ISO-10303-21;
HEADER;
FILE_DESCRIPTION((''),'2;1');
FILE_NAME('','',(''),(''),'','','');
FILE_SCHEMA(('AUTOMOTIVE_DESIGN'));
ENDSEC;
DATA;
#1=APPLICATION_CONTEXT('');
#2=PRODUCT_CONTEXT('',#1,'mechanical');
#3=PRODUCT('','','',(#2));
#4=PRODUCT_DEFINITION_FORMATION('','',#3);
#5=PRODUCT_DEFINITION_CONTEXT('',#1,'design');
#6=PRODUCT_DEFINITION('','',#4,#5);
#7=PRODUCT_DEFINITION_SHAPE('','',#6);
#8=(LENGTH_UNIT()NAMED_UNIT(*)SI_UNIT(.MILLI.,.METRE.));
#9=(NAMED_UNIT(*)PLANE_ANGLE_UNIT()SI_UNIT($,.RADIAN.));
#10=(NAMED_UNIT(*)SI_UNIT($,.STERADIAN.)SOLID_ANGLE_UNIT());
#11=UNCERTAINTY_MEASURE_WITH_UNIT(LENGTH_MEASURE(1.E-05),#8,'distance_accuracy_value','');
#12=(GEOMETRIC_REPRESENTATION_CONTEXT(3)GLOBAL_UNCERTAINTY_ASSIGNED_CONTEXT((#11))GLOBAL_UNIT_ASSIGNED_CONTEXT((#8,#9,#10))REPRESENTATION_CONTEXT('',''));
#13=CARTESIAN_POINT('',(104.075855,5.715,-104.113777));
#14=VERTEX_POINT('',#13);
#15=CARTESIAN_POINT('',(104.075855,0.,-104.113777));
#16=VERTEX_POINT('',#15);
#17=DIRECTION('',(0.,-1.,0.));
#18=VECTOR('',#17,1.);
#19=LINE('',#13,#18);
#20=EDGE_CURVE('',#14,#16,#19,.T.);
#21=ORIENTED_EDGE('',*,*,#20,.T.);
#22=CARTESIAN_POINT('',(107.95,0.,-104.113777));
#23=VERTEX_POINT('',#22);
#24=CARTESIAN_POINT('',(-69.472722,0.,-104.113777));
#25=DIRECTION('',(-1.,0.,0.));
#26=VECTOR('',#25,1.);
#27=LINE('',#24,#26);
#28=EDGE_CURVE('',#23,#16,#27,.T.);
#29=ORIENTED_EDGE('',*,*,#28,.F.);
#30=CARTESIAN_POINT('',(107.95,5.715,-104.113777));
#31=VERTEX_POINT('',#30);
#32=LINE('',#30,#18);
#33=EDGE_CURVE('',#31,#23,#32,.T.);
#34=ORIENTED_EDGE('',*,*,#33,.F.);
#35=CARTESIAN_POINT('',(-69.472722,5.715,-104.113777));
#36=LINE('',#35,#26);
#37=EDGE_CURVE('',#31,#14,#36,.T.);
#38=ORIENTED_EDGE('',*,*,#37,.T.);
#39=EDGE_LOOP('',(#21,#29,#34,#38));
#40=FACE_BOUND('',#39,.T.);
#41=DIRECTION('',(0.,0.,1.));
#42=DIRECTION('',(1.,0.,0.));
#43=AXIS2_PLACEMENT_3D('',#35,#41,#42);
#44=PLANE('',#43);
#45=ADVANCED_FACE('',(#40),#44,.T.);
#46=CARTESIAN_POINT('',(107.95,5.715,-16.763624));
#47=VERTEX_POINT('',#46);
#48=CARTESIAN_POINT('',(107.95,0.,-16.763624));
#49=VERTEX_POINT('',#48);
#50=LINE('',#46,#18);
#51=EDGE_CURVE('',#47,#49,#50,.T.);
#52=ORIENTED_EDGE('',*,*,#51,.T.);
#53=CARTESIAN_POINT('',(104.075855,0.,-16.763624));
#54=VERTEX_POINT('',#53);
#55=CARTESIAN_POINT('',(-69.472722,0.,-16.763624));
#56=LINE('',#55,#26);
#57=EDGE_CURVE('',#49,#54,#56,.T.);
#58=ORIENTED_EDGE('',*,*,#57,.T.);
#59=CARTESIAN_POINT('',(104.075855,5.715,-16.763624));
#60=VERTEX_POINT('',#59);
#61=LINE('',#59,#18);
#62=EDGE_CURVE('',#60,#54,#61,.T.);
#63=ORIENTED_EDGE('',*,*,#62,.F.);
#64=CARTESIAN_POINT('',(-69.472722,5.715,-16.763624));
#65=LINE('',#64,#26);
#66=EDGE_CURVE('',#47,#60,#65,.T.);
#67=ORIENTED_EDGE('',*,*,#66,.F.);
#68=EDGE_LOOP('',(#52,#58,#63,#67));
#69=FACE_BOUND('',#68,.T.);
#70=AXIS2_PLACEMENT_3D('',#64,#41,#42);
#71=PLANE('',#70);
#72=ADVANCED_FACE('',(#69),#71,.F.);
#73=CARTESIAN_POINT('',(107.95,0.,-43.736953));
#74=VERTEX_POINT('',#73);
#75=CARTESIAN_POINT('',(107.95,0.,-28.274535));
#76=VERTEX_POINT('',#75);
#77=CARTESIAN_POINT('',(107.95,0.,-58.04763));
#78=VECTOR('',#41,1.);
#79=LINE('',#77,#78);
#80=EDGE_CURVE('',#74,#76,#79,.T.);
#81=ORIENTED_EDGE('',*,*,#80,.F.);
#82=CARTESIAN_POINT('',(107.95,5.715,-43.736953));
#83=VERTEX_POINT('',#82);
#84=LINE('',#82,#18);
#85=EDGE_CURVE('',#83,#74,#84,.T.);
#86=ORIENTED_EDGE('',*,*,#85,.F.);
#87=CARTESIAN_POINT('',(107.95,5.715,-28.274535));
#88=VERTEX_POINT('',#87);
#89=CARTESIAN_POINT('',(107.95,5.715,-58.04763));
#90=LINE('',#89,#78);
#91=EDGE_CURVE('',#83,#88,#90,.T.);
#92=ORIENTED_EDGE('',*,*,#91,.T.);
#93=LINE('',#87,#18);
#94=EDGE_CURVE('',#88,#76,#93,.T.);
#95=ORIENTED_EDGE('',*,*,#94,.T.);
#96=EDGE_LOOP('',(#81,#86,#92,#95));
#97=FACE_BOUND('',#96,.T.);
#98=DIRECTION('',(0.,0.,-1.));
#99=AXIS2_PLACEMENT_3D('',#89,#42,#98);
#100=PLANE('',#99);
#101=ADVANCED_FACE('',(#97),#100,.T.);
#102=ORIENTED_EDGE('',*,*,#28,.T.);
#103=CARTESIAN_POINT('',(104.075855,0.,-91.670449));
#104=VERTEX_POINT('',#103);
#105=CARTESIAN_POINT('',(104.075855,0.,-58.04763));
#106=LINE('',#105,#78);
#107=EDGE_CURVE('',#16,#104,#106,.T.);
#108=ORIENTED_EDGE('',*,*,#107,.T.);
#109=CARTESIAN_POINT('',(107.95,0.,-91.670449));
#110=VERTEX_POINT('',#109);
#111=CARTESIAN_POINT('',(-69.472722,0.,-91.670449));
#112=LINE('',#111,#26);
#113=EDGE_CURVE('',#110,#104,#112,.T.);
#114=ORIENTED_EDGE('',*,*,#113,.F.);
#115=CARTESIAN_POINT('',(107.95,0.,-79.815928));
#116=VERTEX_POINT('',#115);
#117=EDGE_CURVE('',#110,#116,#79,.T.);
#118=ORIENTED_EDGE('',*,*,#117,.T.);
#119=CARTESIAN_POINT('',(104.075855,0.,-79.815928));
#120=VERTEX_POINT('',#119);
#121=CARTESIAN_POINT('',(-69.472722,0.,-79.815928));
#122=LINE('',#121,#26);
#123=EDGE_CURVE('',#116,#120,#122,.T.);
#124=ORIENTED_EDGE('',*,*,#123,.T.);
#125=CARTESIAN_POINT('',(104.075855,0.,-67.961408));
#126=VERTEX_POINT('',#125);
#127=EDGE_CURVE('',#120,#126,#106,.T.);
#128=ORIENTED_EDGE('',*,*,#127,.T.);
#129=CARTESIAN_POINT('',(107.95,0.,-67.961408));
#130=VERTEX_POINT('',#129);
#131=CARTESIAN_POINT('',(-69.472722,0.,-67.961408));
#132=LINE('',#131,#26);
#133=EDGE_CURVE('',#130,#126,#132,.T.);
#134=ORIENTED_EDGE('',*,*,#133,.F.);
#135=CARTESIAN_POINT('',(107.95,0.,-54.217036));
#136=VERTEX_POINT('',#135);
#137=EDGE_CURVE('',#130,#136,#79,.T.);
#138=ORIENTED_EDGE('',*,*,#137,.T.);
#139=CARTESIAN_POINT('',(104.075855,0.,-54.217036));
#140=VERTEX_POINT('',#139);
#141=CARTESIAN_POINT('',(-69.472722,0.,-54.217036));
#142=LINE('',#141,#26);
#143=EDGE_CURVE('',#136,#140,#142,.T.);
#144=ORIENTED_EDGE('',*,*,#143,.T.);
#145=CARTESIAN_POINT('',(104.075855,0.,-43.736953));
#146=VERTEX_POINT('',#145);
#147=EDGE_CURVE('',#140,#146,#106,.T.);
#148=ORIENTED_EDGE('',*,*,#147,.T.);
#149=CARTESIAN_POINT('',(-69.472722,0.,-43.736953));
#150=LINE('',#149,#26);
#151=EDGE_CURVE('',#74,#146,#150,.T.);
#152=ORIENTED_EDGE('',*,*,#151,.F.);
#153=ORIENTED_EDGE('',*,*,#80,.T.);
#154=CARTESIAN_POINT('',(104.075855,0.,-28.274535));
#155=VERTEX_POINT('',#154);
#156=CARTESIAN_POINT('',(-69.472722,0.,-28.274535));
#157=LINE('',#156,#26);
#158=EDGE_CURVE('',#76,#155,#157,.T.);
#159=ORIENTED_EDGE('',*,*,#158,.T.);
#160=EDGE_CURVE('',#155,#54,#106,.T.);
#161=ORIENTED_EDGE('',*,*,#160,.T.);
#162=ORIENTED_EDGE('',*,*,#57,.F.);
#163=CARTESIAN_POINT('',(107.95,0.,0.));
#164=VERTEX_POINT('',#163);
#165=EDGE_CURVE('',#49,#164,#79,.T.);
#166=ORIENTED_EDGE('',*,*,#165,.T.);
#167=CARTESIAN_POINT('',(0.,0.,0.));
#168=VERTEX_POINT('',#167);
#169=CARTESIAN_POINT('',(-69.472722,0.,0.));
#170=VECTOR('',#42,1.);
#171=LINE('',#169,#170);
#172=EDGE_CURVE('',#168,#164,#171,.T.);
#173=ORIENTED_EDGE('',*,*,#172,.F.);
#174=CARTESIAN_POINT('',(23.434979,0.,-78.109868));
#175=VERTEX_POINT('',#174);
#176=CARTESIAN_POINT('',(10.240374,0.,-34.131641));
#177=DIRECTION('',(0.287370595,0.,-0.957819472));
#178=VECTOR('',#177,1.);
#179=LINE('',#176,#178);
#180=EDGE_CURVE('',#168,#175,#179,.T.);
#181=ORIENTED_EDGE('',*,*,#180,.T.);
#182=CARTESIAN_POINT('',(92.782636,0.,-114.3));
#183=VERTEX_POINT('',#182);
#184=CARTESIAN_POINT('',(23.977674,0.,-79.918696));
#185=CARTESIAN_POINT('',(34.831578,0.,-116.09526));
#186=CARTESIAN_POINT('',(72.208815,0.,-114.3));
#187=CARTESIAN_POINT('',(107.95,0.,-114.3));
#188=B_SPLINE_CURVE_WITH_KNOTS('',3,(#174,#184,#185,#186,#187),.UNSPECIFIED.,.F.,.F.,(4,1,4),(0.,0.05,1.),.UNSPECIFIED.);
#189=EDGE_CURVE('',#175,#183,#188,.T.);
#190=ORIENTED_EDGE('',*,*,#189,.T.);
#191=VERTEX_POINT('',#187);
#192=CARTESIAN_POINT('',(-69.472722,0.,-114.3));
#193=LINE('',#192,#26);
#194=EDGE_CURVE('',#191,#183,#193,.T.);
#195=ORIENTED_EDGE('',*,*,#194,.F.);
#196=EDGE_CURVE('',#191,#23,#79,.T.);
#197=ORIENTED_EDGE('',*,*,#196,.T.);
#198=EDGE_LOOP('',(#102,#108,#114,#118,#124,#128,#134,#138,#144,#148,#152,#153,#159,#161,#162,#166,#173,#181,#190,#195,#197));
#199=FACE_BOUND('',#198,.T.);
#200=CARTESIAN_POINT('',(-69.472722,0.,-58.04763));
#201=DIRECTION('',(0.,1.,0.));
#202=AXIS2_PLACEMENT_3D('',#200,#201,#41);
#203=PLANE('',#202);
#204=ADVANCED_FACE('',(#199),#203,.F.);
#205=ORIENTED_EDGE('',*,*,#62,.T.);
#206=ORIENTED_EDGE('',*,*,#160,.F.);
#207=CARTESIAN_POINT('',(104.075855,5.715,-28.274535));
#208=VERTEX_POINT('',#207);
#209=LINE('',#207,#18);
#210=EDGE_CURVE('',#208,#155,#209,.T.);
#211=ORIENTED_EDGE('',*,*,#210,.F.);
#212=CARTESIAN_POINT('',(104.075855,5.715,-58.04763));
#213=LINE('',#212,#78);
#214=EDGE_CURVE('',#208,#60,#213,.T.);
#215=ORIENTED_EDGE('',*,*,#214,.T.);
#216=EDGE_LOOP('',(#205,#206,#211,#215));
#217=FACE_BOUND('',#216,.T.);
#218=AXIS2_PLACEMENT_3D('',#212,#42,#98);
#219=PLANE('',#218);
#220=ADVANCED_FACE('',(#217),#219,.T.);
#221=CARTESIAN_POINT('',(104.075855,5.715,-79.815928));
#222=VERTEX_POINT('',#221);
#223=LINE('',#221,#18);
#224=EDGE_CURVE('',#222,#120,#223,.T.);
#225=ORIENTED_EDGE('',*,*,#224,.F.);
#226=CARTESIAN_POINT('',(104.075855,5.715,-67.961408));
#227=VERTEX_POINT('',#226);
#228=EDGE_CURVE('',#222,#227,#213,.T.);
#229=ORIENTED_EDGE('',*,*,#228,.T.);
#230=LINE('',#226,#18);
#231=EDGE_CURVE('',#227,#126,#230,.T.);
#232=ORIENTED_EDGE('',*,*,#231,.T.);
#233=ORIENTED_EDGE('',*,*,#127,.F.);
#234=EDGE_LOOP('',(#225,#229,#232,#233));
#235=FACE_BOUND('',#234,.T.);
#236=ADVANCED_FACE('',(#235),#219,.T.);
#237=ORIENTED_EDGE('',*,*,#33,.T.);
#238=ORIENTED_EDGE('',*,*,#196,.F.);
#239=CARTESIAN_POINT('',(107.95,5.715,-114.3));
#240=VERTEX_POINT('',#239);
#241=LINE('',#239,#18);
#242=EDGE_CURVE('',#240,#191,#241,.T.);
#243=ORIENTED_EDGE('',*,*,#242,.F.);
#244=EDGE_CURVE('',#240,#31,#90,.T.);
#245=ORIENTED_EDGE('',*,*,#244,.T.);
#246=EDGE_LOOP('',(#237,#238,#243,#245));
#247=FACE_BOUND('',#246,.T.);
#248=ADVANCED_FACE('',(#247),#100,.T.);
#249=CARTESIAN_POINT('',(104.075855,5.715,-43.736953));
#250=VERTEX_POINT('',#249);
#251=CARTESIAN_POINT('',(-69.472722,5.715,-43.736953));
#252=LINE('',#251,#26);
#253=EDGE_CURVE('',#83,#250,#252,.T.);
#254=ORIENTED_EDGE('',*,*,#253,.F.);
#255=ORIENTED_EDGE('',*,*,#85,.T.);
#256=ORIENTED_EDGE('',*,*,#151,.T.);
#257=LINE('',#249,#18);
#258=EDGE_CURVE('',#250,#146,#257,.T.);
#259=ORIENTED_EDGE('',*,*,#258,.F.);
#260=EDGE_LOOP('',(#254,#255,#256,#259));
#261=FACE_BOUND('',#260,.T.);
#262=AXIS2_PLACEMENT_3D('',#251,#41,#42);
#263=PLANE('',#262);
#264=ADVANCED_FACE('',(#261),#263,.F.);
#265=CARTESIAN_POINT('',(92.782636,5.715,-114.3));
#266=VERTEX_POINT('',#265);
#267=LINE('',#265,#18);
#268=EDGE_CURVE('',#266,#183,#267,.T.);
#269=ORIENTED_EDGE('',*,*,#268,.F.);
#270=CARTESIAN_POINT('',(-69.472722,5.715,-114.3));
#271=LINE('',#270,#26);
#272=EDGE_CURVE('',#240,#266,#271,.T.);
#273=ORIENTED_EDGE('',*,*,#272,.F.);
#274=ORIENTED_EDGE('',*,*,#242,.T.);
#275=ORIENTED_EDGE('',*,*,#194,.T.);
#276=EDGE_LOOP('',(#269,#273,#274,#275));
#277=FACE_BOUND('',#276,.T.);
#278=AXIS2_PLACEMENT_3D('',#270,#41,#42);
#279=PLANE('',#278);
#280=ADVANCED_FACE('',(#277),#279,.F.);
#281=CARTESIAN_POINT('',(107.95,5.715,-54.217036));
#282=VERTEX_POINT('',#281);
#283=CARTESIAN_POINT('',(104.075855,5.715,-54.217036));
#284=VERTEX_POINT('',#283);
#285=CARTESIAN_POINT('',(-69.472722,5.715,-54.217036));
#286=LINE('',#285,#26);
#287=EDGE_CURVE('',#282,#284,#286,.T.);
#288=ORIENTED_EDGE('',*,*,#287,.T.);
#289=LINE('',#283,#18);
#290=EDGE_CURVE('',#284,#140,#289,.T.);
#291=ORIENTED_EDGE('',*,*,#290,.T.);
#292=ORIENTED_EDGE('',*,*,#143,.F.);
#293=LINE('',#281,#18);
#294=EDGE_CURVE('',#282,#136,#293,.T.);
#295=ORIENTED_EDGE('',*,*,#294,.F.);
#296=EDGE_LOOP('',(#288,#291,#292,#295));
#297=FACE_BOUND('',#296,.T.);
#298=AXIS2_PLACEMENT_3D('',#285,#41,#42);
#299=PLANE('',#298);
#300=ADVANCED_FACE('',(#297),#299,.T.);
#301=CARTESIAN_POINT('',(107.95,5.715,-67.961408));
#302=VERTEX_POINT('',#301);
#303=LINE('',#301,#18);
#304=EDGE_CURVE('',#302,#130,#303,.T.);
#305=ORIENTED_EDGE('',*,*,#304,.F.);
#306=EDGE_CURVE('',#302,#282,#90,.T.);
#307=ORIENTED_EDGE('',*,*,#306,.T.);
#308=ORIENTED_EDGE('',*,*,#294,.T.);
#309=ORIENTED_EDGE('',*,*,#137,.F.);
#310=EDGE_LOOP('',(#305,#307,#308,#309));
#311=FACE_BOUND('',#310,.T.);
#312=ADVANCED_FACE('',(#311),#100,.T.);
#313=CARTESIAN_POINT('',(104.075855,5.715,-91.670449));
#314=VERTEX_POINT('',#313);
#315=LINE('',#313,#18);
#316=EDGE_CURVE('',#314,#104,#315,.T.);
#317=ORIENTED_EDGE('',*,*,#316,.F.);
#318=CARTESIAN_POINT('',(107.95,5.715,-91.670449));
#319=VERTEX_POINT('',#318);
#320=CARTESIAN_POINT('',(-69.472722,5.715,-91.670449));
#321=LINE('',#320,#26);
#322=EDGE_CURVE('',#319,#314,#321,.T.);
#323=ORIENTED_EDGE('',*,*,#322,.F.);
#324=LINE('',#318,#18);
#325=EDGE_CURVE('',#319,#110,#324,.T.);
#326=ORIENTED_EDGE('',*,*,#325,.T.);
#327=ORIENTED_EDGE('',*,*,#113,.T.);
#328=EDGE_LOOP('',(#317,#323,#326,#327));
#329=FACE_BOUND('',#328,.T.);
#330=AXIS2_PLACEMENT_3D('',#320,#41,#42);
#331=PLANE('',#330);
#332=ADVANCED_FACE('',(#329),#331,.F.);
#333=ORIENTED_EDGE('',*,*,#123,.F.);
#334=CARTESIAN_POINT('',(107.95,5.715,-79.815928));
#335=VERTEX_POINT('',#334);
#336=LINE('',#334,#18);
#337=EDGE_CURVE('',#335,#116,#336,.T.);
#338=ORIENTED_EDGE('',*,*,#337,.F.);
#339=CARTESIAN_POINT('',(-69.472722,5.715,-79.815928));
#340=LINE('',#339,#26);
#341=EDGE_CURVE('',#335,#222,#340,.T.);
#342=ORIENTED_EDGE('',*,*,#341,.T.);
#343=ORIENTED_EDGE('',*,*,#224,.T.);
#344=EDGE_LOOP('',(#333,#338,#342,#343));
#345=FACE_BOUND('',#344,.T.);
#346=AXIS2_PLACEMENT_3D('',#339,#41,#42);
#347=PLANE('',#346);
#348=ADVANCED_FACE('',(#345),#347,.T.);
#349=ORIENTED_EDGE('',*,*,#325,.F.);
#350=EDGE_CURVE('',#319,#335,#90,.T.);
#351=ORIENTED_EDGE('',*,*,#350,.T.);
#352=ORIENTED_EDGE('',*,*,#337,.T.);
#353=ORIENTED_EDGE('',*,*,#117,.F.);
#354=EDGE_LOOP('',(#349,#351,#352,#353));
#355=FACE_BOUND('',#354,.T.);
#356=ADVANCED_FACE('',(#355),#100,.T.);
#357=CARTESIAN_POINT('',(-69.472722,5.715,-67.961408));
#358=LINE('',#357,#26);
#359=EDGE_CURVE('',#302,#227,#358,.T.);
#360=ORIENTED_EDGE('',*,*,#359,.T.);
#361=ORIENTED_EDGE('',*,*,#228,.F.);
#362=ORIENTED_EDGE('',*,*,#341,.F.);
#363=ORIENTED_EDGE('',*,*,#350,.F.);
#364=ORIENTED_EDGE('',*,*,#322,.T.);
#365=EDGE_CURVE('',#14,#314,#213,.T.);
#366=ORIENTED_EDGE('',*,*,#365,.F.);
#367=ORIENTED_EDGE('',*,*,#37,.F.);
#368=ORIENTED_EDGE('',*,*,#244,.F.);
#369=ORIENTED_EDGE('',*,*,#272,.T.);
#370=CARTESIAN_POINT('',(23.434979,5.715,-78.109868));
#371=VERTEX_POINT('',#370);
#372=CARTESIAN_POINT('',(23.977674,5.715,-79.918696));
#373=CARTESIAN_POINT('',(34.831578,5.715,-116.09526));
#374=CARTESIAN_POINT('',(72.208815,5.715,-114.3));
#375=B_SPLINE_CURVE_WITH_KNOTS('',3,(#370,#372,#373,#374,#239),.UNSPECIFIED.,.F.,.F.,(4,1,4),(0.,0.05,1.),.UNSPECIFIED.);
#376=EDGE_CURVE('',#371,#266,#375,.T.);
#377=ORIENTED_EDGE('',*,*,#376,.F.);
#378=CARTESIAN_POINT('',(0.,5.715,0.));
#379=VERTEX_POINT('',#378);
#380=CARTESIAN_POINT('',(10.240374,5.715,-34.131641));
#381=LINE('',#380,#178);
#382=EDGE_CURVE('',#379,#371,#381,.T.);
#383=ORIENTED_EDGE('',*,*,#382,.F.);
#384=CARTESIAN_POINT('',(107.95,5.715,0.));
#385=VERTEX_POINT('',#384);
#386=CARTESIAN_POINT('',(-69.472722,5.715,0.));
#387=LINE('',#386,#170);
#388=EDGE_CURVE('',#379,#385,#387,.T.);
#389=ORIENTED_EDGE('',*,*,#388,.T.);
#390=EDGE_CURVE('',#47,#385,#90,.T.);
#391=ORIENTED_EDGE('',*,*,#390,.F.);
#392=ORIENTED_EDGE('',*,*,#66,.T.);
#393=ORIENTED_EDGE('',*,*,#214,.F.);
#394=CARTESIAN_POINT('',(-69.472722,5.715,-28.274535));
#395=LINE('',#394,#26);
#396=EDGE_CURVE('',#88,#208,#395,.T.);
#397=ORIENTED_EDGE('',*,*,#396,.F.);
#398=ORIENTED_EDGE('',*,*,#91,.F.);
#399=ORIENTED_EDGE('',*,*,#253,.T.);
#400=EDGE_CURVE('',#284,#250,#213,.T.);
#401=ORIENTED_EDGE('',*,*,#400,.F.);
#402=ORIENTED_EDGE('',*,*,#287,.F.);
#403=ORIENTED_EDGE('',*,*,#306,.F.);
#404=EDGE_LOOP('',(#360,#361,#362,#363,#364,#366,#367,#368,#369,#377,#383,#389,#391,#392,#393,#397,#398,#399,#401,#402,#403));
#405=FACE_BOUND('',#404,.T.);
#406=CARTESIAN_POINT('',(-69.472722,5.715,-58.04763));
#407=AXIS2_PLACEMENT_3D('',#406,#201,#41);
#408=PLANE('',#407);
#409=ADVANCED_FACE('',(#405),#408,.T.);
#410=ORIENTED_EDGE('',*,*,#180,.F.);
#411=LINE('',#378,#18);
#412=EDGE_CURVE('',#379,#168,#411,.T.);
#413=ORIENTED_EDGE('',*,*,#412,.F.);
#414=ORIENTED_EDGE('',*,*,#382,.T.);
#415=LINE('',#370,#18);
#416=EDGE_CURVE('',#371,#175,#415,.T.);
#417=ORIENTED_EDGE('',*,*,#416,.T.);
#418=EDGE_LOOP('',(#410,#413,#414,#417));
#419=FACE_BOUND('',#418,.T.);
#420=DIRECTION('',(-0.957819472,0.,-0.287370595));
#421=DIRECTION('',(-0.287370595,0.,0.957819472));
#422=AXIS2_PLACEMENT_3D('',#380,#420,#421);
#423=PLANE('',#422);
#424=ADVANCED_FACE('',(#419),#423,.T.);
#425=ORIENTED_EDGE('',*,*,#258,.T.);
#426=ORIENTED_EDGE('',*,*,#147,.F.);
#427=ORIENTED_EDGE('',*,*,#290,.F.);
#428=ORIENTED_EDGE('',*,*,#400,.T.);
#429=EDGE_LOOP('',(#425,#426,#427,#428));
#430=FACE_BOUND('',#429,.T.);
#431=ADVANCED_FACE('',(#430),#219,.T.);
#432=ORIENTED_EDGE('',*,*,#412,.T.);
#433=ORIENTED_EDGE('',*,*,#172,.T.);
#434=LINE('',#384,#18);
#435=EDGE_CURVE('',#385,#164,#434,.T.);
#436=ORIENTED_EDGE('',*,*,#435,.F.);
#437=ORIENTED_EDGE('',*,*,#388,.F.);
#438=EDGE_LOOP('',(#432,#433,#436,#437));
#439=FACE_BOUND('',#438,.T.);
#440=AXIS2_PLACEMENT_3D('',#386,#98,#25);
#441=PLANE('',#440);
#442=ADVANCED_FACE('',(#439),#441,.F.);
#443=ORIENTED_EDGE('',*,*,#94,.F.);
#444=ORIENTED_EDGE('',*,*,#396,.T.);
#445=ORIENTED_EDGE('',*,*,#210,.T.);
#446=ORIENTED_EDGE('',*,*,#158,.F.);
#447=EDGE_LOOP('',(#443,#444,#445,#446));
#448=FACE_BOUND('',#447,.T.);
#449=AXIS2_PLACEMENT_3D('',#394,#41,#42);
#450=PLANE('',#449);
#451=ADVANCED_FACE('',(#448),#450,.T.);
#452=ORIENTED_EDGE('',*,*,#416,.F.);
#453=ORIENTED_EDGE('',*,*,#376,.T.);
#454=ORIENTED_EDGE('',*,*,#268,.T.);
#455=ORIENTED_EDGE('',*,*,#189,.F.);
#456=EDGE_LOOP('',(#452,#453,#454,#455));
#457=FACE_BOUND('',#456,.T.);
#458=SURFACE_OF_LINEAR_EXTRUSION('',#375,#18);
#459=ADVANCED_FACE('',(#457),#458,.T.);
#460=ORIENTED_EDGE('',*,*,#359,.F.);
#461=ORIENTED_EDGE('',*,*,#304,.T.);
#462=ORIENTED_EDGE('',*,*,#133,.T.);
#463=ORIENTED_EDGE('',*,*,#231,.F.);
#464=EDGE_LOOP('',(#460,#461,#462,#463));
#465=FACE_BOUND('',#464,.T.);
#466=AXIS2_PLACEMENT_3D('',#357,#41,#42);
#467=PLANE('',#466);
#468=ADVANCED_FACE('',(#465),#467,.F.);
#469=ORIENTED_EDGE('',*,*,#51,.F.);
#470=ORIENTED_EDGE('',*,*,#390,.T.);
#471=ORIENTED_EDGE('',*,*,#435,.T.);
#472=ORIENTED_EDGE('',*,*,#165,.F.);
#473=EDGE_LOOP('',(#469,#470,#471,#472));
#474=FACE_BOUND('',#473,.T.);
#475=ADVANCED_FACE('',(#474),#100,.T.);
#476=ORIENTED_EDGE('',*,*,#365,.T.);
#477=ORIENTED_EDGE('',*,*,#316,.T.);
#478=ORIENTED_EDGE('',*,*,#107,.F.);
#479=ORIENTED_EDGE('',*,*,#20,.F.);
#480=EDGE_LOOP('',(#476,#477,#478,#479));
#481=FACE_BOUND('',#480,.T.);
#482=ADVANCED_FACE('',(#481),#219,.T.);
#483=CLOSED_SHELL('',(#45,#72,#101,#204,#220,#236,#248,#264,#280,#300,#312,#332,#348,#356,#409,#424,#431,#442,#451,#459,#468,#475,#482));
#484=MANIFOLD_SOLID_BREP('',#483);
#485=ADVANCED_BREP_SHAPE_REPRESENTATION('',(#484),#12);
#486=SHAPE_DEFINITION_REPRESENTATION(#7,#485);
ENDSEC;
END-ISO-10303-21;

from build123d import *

# Parameters (mm, degrees)
BOSS_EXTRUDE1_DEPTH = 5.715


with BuildPart() as part:
    # Sketch1 → Boss-Extrude1 (new body)
    with BuildSketch(Plane(origin=(0, 0, 0), x_dir=(1, 0, 0), z_dir=(0, 1, 0))):
        with BuildLine():
            Line((23.434979066, 78.109868229), (0, 0))
            Line((0, 0), (107.95, 0))
            Line((107.95, 0), (107.95, 16.763624127))
            Line((107.95, 16.763624127), (104.075854958, 16.763624127))
            Line((104.075854958, 16.763624127), (104.075854958, 28.274535242))
            Line((104.075854958, 28.274535242), (107.95, 28.274535242))
            Line((107.95, 28.274535242), (107.95, 43.736953157))
            Line((107.95, 43.736953157), (104.075854958, 43.736953157))
            Line((104.075854958, 43.736953157), (104.075854958, 54.217036411))
            Line((104.075854958, 54.217036411), (107.95, 54.217036411))
            Line((107.95, 54.217036411), (107.95, 67.961407891))
            Line((107.95, 67.961407891), (104.075854958, 67.961407891))
            Line((104.075854958, 67.961407891), (104.075854958, 79.815928293))
            Line((104.075854958, 79.815928293), (107.95, 79.815928293))
            Line((107.95, 79.815928293), (107.95, 91.670448695))
            Line((107.95, 91.670448695), (104.075854958, 91.670448695))
            Line((104.075854958, 91.670448695), (104.075854958, 104.11377721))
            Line((104.075854958, 104.11377721), (107.95, 104.11377721))
            Line((107.95, 104.11377721), (107.95, 114.3))
            Line((107.95, 114.3), (92.782636258, 114.3))
            add(Edge.make_bspline(
                [(23.434979066, 78.109868229), (23.977674271, 79.918696425), (33.365084494, 111.207368521), (62.592771748, 114.091936467), (92.782636258, 114.3)],
                knots=[0, 0, 0, 0, 0.05, 0.864887892, 0.864887892, 0.864887892, 0.864887892], degree=3))
        make_face()
    extrude(amount=BOSS_EXTRUDE1_DEPTH)


solid = part.part
